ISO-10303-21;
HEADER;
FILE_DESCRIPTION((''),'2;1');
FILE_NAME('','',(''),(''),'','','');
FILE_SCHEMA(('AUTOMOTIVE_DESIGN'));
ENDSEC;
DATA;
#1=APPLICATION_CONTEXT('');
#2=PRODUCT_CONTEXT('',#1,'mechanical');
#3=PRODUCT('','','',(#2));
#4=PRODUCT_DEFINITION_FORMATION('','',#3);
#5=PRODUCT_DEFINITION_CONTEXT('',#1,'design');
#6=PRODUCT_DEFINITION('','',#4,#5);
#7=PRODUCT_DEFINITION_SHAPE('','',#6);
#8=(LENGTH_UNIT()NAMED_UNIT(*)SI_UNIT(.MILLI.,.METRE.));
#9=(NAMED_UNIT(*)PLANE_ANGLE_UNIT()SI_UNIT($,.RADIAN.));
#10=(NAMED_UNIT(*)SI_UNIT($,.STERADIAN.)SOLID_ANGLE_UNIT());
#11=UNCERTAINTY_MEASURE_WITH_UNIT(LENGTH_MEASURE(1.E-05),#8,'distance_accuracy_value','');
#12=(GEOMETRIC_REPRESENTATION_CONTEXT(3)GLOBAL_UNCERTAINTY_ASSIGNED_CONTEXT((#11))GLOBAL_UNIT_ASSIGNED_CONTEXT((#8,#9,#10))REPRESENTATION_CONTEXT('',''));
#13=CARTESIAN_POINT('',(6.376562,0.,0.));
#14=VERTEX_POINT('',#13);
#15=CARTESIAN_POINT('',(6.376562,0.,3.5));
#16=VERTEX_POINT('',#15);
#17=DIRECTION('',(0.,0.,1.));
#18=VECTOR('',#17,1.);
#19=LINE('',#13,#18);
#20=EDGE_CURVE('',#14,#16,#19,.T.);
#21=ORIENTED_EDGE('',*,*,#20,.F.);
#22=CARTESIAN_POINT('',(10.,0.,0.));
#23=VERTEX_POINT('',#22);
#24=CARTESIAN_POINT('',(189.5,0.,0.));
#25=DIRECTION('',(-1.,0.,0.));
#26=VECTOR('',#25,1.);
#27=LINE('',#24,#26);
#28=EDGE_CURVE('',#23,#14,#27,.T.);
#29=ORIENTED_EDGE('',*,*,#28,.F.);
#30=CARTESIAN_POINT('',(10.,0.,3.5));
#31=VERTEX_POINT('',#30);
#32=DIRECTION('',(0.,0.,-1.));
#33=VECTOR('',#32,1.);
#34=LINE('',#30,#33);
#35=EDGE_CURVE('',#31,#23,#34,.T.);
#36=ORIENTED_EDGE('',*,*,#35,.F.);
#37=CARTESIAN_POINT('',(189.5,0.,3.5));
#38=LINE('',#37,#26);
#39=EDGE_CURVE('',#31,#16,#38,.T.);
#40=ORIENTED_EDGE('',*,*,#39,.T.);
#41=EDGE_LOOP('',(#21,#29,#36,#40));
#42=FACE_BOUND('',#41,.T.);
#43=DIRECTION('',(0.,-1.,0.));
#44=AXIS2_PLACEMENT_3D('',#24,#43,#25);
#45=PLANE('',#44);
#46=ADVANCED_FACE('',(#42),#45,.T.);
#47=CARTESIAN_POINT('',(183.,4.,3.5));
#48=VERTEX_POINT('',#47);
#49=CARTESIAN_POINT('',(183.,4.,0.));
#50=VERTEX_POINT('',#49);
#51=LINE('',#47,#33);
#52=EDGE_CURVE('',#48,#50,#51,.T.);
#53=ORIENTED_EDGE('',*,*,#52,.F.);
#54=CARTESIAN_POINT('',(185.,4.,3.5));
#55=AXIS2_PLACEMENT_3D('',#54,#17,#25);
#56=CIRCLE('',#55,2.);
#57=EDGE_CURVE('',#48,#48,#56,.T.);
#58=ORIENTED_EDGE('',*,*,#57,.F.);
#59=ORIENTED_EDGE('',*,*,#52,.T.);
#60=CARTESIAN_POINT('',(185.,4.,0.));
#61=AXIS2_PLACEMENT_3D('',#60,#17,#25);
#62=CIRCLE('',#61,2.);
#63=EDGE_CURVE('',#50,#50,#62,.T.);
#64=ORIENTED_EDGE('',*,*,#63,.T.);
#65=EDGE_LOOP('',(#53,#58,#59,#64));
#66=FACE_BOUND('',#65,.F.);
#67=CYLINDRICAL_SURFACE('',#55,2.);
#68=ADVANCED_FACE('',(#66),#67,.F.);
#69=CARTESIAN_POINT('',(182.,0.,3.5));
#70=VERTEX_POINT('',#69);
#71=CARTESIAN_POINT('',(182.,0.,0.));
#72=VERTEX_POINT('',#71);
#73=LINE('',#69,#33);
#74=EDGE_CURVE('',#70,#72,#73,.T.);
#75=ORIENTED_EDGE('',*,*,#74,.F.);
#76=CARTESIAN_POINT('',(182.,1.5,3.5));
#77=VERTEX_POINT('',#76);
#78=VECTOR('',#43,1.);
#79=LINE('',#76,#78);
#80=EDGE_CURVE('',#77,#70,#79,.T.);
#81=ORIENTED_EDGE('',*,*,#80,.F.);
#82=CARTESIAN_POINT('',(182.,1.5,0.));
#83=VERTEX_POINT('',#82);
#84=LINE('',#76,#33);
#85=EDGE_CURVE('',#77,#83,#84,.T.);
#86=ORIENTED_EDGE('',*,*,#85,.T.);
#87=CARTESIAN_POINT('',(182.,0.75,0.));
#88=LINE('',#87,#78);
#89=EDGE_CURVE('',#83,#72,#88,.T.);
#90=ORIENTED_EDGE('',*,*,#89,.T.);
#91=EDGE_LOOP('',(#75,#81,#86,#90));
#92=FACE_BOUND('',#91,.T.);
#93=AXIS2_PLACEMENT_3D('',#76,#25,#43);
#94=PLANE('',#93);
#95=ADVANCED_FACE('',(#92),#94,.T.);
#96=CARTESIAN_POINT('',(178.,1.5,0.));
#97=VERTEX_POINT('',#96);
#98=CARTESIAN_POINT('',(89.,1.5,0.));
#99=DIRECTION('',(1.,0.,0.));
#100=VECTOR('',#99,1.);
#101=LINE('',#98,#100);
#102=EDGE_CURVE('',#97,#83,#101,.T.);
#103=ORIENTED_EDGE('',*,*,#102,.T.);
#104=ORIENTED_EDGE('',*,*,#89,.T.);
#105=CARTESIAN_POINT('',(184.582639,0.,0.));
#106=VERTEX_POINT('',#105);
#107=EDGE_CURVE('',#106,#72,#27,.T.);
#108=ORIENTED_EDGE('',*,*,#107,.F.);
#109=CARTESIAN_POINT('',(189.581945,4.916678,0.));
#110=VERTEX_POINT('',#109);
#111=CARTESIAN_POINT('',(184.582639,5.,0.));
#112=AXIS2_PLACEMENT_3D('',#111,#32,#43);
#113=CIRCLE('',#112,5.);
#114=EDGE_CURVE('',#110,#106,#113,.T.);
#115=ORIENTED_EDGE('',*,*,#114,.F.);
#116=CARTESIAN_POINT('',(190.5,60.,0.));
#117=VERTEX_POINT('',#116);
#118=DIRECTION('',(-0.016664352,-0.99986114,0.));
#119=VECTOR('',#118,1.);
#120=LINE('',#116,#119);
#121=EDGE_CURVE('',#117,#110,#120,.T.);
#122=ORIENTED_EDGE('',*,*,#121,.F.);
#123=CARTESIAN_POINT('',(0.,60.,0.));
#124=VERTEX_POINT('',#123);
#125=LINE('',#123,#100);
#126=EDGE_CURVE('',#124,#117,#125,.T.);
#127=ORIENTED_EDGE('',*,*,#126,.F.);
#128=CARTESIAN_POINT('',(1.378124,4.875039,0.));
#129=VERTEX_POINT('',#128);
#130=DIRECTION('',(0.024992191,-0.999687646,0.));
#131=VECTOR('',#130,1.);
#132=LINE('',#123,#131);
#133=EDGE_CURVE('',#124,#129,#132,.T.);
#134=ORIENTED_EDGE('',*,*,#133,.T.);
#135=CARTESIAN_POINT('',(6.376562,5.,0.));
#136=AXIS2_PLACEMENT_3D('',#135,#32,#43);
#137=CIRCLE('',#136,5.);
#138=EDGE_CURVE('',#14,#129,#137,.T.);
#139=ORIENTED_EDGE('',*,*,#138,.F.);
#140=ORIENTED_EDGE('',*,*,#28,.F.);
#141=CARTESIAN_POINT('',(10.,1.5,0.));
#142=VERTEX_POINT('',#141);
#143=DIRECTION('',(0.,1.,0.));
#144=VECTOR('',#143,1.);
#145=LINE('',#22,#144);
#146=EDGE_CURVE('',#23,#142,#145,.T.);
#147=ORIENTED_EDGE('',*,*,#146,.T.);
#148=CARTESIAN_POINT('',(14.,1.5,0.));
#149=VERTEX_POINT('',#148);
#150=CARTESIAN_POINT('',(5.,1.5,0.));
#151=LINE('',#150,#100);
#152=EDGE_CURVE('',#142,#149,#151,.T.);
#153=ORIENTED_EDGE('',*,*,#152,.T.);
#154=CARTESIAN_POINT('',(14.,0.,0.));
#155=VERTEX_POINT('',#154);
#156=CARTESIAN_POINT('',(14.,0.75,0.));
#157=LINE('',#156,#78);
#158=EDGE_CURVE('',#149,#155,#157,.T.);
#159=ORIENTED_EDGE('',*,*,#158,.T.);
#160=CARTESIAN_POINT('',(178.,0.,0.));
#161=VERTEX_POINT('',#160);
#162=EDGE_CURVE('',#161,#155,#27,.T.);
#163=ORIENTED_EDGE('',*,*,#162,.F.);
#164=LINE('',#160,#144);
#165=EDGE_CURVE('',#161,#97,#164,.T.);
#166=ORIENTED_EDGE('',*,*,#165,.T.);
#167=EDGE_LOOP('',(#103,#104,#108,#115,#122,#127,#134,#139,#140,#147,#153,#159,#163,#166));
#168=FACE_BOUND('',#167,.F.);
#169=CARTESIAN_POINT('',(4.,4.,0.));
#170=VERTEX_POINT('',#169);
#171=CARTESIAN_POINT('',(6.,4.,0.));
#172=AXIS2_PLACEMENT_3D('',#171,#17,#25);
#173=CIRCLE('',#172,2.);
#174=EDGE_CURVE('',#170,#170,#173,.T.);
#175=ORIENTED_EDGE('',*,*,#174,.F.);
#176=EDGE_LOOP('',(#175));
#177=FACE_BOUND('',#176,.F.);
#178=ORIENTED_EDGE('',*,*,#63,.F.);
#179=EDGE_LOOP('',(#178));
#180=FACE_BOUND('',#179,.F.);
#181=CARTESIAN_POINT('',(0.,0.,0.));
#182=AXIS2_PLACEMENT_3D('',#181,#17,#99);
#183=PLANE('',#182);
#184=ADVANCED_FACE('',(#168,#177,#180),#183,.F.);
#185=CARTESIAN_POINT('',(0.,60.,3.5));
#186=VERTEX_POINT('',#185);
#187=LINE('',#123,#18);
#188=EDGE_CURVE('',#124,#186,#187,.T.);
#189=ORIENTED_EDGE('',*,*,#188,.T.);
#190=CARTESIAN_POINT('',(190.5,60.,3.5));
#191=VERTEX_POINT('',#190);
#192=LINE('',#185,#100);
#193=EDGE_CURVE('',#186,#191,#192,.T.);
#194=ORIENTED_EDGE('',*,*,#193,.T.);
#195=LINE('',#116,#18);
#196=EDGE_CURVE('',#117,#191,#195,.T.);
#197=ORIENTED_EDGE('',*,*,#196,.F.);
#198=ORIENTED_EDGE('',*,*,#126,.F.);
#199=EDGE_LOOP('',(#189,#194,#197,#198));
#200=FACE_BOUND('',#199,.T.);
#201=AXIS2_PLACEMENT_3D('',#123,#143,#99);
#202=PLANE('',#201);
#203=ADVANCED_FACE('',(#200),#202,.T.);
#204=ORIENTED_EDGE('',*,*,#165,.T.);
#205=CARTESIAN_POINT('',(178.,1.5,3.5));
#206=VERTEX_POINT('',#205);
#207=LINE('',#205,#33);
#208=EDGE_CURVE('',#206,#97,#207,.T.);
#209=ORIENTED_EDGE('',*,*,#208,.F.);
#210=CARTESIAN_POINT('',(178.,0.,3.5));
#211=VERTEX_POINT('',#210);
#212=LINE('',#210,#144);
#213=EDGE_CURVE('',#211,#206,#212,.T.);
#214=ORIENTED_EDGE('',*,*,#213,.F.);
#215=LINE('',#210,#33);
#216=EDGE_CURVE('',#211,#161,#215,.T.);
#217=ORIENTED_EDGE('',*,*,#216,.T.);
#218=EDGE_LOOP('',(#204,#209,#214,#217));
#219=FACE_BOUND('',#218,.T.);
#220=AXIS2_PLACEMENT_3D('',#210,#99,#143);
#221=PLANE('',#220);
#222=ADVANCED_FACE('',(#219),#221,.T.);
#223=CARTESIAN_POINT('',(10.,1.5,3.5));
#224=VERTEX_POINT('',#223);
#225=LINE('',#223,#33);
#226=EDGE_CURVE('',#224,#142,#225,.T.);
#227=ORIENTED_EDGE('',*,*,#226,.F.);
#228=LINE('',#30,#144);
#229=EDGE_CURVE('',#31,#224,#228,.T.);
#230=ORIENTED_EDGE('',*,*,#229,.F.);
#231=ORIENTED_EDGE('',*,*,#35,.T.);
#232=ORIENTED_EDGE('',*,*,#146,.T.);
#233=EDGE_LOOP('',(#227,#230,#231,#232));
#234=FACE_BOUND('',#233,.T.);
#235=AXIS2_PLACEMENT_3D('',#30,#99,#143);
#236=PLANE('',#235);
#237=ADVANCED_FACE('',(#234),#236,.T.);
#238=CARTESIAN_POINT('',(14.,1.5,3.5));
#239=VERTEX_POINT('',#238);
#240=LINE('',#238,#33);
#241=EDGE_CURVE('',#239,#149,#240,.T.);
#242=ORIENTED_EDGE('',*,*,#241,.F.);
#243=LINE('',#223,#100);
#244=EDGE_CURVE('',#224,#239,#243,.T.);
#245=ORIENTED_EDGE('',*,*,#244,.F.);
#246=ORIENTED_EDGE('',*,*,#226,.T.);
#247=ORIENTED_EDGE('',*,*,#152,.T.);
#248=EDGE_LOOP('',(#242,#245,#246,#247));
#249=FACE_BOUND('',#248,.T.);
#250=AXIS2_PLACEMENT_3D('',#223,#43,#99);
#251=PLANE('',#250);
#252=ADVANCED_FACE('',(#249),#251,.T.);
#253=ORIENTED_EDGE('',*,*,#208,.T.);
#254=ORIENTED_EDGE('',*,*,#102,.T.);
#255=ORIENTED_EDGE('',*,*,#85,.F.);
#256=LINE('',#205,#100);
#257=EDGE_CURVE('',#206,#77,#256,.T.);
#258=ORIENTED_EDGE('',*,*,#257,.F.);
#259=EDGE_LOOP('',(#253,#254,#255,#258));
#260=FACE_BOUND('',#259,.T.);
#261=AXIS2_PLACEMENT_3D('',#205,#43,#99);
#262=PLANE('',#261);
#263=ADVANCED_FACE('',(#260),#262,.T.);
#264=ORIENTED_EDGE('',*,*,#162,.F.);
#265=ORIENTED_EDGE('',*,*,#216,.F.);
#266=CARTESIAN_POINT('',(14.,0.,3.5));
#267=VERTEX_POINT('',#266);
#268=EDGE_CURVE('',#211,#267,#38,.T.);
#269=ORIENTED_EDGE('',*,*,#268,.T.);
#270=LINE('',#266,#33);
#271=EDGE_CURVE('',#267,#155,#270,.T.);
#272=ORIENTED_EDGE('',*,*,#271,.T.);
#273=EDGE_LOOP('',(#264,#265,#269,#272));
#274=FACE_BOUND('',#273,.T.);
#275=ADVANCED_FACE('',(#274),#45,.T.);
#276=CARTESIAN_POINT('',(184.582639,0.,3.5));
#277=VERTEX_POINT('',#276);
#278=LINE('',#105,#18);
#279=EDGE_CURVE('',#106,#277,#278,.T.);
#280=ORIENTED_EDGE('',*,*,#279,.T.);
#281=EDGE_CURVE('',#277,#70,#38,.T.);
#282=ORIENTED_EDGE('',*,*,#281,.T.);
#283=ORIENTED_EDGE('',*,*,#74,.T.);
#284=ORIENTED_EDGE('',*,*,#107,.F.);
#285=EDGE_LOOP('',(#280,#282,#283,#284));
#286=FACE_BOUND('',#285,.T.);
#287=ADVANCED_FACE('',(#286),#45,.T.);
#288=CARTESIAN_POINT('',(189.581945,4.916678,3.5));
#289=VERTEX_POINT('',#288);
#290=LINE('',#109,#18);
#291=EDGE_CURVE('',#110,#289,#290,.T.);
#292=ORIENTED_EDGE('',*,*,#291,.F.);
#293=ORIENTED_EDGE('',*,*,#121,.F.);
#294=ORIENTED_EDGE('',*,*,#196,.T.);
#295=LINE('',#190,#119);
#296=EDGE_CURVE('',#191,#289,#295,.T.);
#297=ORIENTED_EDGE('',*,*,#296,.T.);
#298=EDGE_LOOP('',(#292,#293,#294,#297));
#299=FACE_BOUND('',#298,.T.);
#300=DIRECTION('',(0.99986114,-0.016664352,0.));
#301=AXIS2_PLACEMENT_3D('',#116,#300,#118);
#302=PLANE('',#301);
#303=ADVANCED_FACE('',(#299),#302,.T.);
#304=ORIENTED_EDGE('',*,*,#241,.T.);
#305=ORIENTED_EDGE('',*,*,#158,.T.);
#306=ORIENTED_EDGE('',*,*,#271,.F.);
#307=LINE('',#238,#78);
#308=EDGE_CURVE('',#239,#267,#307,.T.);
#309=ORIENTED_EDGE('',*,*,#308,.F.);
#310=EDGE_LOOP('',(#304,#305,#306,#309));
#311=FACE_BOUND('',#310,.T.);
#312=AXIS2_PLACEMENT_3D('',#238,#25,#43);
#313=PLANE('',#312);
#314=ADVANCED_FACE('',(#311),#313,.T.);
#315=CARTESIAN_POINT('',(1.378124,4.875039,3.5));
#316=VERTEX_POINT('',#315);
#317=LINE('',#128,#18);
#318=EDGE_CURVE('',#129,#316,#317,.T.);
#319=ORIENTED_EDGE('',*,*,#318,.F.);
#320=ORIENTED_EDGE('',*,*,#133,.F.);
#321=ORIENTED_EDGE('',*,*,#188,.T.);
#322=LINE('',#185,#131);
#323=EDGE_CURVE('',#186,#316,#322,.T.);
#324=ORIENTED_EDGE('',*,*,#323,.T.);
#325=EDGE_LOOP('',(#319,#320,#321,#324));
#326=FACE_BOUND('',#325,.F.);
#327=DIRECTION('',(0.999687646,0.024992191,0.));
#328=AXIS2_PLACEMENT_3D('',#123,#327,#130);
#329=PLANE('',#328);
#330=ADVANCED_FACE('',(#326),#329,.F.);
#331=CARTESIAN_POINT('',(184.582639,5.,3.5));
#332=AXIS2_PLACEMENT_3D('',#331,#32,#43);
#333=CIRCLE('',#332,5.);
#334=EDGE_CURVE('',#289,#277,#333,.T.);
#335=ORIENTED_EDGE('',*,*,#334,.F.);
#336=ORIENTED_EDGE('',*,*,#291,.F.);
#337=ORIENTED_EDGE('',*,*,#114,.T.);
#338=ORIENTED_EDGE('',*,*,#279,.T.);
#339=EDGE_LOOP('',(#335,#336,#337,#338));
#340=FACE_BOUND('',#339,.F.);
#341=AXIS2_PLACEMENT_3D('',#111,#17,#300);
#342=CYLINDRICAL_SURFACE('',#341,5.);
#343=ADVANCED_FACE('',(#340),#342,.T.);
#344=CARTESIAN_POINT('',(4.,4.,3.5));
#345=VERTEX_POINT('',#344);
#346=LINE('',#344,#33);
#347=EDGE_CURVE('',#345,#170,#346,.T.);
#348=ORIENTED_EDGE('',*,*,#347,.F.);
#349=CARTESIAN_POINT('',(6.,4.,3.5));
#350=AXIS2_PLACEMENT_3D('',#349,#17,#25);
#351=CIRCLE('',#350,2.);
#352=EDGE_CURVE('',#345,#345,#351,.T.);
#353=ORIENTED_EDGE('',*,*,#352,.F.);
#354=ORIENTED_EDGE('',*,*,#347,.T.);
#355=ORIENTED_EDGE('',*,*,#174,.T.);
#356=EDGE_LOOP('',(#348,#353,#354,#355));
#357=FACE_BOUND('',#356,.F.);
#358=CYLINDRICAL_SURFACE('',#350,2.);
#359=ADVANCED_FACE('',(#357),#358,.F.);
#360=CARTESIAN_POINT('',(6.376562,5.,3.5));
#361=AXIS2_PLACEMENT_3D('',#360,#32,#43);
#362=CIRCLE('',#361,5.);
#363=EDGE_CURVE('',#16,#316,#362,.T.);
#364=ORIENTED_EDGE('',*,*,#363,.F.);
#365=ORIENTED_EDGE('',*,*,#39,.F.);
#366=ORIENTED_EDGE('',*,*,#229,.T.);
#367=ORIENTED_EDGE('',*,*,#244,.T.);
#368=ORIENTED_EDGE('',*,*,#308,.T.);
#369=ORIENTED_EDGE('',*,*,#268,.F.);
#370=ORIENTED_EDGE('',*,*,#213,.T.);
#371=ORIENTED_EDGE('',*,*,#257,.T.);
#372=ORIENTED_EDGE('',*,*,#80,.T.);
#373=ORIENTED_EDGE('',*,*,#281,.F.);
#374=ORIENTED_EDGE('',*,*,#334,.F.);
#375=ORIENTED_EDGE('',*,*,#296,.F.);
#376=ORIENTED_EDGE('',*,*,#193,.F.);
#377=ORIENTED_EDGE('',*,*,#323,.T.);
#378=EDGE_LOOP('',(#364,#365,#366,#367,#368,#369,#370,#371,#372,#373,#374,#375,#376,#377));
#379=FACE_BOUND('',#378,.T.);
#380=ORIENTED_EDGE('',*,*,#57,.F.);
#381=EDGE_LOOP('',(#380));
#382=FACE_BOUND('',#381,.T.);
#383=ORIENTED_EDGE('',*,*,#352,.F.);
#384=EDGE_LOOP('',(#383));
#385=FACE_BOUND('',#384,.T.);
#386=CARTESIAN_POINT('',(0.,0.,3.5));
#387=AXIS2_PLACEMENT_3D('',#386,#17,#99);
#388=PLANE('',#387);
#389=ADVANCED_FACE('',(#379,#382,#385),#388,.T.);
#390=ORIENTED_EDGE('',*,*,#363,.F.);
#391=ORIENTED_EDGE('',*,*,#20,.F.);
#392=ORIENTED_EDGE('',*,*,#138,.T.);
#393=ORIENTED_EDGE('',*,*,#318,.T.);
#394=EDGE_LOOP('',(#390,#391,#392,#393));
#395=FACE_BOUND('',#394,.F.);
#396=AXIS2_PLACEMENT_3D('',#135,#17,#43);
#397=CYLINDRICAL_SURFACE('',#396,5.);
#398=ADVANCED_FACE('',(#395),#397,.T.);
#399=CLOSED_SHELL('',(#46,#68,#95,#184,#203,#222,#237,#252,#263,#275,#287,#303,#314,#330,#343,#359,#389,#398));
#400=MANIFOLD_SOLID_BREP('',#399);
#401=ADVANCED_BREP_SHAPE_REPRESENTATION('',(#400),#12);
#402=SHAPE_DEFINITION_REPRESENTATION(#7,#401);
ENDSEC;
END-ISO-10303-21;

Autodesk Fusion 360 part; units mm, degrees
sketch "Sketch1" plane through (0, 0, 0) normal (0, 0, 1) x (1, 0, 0)
  line L0 (0, 60) -> (1.5, 0)
  line L1 (190.5, 60) -> (189.5, 0)
  line L2 (189.5, 0) -> (1.5, 0)
  line L3 (0, 60) -> (190.5, 60)
extrude "Extrude1" add sketch "Sketch1" along normal blind 3.5
fillet "Fillet1" radius 5 1 edges at (189.5, 0, 1.75)
fillet "Fillet2" radius 5 1 edges at (1.5, 0, 1.75)
sketch "Sketch2" plane through (0, 0, 0) normal (0, 0, 1) x (1, 0, 0)
sketch "Sketch3" plane through (0, 0, 3.5) normal (0, 0, 1) x (-1, 0, 0)
  arc A0 (-1.3781, -4.875) -> (-6.3766, 0) centre (-6.3766, -5) ccw
  line L0 (-6.3766, 0) -> (-184.5826, 0)
  arc A1 (-184.5826, 0) -> (-189.5819, -4.9167) centre (-184.5826, -5) ccw
  line L1 (-189.5819, -4.9167) -> (-190.5, -60)
  line L2 (-190.5, -60) -> (0, -60)
  line L3 (0, -60) -> (-1.3781, -4.875)
  circle A2 centre (-6, -4) radius 2
  circle A3 centre (-185, -4) radius 2
  dimension "d7" = 4
  dimension "d8" = 4
extrude "Extrude2" cut sketch "Sketch3" against normal blind 4 contours A2 | A3
sketch "Sketch4" plane through (0, 0, 3.5) normal (0, 0, 1) x (-1, 0, 0)
  circle A0 centre (-185, -4) radius 2
  circle A1 centre (-6, -4) radius 2
  arc A2 (-1.3781, -4.875) -> (-6.3766, 0) centre (-6.3766, -5) ccw
  line L0 (-6.3766, 0) -> (-184.5826, 0)
  arc A3 (-184.5826, 0) -> (-189.5819, -4.9167) centre (-184.5826, -5) ccw
  line L1 (-189.5819, -4.9167) -> (-190.5, -60)
  line L2 (-190.5, -60) -> (0, -60)
  line L3 (0, -60) -> (-1.3781, -4.875)
  line L4 (-10, -1.5) -> (-14, -1.5)
  line L5 (-14, -1.5) -> (-14, 0)
  line L6 (-14, 0) -> (-10, 0)
  line L7 (-10, 0) -> (-10, -1.5)
extrude "Extrude3" cut sketch "Sketch4" against normal blind 4 contours L0 L4 L5 L6 L7
sketch "Sketch5" plane through (0, 0, 3.5) normal (0, 0, 1) x (-1, 0, 0)
  line L0 (-14, -1.5) -> (-14, 0)
  line L1 (-14, 0) -> (-184.5826, 0)
  arc A0 (-184.5826, 0) -> (-189.5819, -4.9167) centre (-184.5826, -5) ccw
  line L2 (-189.5819, -4.9167) -> (-190.5, -60)
  line L3 (-190.5, -60) -> (0, -60)
  line L4 (0, -60) -> (-1.3781, -4.875)
  arc A1 (-1.3781, -4.875) -> (-6.3766, 0) centre (-6.3766, -5) ccw
  line L5 (-6.3766, 0) -> (-10, 0)
  line L6 (-10, 0) -> (-10, -1.5)
  line L7 (-10, -1.5) -> (-14, -1.5)
  circle A2 centre (-185, -4) radius 2
  circle A3 centre (-6, -4) radius 2
  line L8 (-178, -1.5) -> (-182, -1.5)
  line L9 (-182, -1.5) -> (-182, 0)
  line L10 (-182, 0) -> (-178, 0)
  line L11 (-178, 0) -> (-178, -1.5)
extrude "Extrude4" cut sketch "Sketch5" against normal blind 4 contours L1 L8 L9 L10 L11
